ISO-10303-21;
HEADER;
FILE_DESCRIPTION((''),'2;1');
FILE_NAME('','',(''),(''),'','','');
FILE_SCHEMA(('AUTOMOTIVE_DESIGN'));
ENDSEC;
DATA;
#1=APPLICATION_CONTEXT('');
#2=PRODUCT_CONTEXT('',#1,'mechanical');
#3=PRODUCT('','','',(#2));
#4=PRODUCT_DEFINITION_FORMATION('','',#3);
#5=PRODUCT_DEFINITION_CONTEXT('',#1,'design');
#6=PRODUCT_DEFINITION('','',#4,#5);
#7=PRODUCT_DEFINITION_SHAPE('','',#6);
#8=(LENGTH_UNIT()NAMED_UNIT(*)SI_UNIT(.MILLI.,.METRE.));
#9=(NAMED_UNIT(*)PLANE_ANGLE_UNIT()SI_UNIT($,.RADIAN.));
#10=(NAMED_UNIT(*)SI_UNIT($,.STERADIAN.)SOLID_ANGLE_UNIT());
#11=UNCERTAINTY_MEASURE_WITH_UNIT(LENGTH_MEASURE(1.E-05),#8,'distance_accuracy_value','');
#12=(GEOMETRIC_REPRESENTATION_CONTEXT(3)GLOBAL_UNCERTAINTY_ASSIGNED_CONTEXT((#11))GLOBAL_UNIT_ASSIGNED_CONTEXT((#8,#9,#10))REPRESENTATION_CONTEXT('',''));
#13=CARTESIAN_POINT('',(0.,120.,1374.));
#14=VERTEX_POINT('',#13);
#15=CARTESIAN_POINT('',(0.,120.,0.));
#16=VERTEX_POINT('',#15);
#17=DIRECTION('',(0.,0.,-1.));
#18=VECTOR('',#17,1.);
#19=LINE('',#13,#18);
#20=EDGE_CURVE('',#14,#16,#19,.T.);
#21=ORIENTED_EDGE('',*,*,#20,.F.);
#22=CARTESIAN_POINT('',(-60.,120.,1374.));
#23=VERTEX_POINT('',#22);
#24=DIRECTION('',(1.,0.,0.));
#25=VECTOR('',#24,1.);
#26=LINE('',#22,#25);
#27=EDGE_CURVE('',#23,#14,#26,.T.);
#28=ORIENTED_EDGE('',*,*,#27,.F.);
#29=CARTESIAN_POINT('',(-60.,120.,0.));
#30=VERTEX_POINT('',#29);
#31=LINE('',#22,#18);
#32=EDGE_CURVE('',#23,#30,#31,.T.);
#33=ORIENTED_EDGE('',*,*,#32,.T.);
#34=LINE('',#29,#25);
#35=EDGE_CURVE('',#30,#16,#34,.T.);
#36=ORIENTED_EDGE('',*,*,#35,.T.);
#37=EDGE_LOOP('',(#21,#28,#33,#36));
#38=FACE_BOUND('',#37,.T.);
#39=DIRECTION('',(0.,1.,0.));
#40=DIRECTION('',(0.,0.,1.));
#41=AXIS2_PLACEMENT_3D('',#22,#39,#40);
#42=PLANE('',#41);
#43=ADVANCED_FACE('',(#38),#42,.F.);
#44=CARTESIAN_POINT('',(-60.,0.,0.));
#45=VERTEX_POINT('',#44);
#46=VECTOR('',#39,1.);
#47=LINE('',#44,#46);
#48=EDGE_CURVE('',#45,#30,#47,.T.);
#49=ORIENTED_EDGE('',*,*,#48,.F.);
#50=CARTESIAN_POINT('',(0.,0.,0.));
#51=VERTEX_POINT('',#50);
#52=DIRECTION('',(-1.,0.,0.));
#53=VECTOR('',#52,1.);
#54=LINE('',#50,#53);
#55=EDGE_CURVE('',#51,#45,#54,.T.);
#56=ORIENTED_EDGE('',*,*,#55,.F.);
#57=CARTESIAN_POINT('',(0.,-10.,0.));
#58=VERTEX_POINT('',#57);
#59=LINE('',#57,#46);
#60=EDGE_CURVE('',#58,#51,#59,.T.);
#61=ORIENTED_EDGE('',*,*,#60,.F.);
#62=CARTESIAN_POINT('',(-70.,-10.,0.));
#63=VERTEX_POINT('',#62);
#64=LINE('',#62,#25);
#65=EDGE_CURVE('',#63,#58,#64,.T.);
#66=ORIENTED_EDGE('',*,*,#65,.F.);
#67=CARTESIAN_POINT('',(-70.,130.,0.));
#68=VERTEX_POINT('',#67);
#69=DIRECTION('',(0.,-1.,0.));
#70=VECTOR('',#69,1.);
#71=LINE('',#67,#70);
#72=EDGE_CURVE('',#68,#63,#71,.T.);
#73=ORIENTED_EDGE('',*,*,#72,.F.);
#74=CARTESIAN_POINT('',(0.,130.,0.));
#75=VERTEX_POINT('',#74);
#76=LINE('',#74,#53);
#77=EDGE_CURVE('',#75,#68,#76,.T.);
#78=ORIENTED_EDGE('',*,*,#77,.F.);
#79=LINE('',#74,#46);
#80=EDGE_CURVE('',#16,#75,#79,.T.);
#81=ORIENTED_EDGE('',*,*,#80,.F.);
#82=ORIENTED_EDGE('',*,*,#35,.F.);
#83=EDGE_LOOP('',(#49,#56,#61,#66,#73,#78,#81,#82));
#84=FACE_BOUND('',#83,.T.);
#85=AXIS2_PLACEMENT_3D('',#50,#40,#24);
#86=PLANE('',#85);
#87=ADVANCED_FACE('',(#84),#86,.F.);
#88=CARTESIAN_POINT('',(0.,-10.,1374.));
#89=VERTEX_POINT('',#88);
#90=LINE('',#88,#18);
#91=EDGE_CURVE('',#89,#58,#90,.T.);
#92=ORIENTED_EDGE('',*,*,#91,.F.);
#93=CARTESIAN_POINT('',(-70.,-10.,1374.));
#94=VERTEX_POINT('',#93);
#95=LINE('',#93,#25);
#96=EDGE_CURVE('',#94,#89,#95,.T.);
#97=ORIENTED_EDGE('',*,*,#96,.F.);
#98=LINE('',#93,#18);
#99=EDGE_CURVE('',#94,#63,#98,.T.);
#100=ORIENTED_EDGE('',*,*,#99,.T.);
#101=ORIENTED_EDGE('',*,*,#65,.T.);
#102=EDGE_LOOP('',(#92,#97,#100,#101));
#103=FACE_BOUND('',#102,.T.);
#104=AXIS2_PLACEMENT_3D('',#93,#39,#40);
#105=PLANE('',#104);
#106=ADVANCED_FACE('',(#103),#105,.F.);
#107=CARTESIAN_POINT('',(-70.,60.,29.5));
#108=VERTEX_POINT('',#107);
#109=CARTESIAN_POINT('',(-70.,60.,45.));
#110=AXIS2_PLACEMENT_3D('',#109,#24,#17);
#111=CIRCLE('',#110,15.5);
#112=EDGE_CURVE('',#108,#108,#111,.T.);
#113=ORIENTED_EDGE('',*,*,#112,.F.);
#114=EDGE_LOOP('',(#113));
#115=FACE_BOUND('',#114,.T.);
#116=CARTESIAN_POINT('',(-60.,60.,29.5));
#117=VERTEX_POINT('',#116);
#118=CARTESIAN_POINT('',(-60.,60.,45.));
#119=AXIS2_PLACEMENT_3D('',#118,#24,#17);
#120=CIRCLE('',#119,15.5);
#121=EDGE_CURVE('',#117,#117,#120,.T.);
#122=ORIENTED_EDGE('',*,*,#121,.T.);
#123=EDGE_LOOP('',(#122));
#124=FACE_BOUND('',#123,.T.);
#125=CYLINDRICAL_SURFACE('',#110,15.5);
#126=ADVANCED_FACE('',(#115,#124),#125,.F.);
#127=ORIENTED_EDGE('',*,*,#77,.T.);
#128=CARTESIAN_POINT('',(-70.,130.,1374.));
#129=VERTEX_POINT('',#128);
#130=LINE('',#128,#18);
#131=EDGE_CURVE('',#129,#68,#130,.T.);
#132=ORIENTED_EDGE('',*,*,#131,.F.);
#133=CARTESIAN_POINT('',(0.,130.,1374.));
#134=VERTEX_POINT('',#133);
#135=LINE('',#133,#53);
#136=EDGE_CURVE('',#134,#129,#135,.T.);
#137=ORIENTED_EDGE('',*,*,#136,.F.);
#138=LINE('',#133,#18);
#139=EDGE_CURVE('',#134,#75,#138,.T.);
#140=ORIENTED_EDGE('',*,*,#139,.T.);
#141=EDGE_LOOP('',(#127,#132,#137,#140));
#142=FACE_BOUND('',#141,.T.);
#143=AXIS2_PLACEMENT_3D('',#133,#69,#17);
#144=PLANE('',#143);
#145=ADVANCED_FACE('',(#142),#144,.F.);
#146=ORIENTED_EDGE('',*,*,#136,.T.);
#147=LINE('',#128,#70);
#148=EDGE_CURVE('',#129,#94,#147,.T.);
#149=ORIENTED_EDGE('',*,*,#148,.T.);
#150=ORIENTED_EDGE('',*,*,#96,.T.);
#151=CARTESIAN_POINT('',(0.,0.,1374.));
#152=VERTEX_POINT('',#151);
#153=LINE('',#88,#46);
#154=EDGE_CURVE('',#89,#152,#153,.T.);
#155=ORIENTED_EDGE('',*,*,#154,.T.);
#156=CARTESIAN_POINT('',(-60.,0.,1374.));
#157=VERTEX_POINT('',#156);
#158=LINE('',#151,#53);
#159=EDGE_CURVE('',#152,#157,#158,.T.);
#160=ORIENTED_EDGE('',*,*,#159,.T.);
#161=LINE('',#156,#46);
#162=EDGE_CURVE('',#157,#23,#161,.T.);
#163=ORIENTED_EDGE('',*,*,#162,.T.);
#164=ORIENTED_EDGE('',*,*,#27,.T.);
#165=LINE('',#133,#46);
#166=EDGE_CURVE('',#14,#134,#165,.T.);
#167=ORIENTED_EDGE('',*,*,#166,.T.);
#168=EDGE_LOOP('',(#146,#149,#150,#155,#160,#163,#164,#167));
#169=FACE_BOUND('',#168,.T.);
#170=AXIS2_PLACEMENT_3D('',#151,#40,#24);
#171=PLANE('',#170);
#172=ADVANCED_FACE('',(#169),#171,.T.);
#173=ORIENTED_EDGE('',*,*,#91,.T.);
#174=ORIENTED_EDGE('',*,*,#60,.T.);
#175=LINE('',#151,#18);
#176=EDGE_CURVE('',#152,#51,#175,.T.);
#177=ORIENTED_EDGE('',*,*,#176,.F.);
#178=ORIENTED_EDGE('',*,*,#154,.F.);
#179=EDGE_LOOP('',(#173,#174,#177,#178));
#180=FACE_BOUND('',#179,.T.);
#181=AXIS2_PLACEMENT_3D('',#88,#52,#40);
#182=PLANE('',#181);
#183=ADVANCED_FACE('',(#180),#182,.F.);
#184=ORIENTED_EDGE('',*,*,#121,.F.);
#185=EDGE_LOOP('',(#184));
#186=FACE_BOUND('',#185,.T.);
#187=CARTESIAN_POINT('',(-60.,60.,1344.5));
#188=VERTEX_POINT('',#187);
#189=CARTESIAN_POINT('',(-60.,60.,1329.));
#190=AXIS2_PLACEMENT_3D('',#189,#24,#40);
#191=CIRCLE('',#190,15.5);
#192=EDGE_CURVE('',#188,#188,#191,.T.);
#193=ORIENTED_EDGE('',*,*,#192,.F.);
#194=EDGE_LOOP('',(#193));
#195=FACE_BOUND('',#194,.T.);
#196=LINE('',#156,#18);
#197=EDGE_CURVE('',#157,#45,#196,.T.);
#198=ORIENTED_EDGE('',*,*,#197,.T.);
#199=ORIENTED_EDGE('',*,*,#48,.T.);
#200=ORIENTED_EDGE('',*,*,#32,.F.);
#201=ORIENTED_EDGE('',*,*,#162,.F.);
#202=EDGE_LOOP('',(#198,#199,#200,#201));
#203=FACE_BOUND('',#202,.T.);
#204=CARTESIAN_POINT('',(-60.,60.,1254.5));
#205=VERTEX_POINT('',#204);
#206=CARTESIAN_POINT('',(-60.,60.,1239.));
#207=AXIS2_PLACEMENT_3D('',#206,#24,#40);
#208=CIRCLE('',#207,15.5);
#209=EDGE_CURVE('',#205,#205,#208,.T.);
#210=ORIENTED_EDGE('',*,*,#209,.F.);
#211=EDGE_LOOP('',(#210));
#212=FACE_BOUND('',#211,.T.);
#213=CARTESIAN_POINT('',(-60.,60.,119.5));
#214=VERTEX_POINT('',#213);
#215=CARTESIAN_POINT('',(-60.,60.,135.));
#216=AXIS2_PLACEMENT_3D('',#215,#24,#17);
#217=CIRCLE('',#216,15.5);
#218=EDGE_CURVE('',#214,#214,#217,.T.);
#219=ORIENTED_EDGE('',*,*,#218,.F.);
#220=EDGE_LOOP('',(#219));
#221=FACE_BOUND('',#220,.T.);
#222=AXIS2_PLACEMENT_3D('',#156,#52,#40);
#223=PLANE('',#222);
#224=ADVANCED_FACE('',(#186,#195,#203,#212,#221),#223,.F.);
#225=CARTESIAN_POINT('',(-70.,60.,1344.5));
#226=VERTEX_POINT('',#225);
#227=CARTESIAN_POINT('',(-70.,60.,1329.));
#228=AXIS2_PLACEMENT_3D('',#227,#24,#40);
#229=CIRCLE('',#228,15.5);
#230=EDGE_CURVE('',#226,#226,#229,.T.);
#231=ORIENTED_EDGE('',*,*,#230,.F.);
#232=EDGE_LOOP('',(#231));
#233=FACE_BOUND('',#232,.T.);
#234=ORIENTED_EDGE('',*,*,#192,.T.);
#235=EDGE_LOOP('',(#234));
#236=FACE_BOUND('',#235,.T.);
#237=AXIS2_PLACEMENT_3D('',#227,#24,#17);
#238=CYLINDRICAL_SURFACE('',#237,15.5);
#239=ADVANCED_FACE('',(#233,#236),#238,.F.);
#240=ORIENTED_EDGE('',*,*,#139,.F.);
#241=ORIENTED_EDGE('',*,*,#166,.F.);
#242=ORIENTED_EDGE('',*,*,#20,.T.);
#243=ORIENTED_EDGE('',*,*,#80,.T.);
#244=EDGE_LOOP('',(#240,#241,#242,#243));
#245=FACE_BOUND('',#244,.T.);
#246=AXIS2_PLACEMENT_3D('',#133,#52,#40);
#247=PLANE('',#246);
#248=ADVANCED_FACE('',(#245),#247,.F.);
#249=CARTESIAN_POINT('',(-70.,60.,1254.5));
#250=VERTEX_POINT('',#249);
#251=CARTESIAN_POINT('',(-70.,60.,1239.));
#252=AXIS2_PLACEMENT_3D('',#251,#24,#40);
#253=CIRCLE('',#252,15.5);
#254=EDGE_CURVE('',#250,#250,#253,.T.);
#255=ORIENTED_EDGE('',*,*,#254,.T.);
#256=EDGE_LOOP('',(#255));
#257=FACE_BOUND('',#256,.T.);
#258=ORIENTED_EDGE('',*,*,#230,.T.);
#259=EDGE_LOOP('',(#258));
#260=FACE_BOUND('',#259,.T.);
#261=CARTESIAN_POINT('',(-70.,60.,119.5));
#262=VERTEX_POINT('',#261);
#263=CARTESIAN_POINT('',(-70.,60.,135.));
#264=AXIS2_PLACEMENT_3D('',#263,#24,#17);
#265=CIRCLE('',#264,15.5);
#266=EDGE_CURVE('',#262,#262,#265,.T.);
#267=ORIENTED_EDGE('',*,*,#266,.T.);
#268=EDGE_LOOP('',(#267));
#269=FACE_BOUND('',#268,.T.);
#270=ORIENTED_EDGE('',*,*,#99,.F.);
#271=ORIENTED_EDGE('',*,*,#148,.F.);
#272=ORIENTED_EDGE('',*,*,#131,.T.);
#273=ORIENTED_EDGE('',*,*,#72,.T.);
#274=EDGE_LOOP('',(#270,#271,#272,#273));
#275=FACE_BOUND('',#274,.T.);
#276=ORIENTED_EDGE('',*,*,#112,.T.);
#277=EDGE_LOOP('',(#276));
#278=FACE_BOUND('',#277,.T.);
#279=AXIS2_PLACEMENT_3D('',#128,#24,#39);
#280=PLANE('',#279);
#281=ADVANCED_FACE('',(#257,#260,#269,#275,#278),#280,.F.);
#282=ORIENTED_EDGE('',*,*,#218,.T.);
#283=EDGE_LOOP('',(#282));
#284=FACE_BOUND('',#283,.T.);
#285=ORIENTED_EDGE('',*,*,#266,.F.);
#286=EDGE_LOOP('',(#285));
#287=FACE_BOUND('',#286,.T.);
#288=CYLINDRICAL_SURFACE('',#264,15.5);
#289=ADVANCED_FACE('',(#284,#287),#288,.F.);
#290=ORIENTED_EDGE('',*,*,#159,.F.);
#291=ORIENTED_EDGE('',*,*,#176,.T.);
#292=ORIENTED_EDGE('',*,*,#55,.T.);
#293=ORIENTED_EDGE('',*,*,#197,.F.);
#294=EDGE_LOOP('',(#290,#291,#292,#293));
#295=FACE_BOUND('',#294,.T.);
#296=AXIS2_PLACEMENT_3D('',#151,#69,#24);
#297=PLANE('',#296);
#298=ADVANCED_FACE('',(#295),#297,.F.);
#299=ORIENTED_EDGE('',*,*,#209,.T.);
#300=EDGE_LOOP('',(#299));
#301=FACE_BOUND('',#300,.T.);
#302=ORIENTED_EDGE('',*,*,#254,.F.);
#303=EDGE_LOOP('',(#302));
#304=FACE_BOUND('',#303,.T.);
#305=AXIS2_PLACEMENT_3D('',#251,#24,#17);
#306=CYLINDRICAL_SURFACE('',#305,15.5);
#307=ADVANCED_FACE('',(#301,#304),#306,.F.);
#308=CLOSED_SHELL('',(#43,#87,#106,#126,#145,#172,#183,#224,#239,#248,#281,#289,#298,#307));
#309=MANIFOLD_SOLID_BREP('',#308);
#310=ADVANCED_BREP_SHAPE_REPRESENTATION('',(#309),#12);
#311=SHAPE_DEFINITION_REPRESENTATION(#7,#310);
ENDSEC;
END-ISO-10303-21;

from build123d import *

# Parameters (mm, degrees)
EXTRUDE_3_DEPTH      = 1374
SKETCH_10_R          = 15.5
CUT_EXTRUDE_11_DEPTH = 1382.439828585


with BuildPart() as part:
    # 草图1 → 拉伸3 (new body)
    with BuildSketch(Plane.XY):
        Polygon((0, 0), (-60, 0), (-60, 120), (0, 120), (0, 130), (-70, 130), (-70, -10), (0, -10), align=None)
    extrude(amount=EXTRUDE_3_DEPTH)

    # 草图10 → 拉伸11 (cut, through all)
    with BuildSketch(Plane(origin=(-60, 0, 0), x_dir=(0, 0, -1), z_dir=(1, 0, 0))):
        with Locations((-45, 60)):
            Circle(SKETCH_10_R)
        with Locations((-135, 60)):
            Circle(SKETCH_10_R)
        with Locations(Location((-1239, 60, 0), (0, 0, 180))):
            Circle(SKETCH_10_R)
        with Locations(Location((-1329, 60, 0), (0, 0, 180))):
            Circle(SKETCH_10_R)
    extrude(amount=-CUT_EXTRUDE_11_DEPTH, mode=Mode.SUBTRACT)


solid = part.part
